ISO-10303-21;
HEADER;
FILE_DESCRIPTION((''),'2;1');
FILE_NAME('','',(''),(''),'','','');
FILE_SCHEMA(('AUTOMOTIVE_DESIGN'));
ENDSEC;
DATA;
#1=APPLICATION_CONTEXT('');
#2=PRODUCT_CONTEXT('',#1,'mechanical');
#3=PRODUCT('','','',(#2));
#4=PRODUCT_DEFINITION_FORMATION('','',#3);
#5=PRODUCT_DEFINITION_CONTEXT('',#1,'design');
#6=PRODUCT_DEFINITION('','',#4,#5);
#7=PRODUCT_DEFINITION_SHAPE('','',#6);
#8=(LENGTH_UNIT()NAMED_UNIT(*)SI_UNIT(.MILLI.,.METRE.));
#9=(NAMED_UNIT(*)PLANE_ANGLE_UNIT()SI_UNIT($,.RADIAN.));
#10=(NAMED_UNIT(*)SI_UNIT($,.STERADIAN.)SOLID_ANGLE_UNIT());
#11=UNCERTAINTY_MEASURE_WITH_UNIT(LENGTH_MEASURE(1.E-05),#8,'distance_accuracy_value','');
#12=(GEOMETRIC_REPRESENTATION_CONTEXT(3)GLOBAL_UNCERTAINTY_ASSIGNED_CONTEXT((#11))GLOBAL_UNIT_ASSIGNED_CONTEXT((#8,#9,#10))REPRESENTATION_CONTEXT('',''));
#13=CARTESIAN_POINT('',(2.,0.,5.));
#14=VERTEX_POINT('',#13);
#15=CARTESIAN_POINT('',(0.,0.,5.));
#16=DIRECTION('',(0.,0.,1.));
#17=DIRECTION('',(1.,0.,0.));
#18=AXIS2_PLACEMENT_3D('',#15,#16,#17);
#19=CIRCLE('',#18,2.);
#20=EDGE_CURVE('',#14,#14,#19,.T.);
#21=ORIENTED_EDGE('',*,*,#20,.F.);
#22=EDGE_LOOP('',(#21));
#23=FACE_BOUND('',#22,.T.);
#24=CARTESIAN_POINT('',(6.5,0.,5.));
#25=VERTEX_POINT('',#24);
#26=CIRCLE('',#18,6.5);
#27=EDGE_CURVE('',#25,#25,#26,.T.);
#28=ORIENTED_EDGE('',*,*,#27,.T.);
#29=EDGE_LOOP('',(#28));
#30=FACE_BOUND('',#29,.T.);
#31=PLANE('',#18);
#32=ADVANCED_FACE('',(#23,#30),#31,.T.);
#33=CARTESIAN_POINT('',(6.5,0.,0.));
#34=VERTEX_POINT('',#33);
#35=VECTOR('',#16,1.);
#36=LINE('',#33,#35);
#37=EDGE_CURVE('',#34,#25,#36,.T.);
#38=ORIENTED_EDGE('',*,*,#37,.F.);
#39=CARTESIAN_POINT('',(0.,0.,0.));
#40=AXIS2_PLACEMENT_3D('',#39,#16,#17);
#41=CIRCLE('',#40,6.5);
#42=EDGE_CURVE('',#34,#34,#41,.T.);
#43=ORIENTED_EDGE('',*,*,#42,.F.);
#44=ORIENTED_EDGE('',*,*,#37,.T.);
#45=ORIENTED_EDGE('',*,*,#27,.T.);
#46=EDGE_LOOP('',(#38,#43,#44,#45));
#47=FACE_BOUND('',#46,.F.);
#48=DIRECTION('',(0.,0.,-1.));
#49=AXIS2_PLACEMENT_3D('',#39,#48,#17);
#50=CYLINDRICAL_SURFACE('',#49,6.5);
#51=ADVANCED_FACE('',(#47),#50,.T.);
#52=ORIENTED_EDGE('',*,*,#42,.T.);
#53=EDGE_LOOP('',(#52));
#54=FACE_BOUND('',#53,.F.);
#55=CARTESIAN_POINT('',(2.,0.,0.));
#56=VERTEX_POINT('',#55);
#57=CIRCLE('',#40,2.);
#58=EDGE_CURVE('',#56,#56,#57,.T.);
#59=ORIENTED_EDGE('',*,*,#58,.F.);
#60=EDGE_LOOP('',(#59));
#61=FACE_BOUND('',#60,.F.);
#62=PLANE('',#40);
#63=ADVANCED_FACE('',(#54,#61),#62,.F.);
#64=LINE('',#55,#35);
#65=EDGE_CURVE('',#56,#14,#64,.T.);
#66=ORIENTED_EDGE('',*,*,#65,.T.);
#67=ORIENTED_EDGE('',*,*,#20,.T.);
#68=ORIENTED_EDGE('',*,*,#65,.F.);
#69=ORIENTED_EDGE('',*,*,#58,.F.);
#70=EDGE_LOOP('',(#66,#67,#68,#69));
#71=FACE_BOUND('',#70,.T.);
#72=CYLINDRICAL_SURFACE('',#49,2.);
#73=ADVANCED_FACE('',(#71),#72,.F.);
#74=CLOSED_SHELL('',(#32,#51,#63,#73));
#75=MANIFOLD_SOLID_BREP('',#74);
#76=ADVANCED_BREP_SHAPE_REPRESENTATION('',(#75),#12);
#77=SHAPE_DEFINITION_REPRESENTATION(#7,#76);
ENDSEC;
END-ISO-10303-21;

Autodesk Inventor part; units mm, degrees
ref_plane "YZ Plane" through (0, 0, 0) normal (1, 0, 0) x (0, 1, 0)
ref_plane "XZ Plane" through (0, 0, 0) normal (0, 1, 0) x (-1, 0, 0)
ref_plane "XY Plane" through (0, 0, 0) normal (0, 0, 1) x (1, 0, 0)
sketch "Skizze1" plane through (0, 0, 0) normal (0, 0, 1) x (1, 0, 0)
  circle A0 centre (0, 0) radius 2
  circle A1 centre (0, 0) radius 6.5
  dimension "d0" = 4
  dimension "d1" = 13
extrude "Extrusion1" add sketch "Skizze1" along normal blind 5
properties part number "00_Bearing_4x13x5"
